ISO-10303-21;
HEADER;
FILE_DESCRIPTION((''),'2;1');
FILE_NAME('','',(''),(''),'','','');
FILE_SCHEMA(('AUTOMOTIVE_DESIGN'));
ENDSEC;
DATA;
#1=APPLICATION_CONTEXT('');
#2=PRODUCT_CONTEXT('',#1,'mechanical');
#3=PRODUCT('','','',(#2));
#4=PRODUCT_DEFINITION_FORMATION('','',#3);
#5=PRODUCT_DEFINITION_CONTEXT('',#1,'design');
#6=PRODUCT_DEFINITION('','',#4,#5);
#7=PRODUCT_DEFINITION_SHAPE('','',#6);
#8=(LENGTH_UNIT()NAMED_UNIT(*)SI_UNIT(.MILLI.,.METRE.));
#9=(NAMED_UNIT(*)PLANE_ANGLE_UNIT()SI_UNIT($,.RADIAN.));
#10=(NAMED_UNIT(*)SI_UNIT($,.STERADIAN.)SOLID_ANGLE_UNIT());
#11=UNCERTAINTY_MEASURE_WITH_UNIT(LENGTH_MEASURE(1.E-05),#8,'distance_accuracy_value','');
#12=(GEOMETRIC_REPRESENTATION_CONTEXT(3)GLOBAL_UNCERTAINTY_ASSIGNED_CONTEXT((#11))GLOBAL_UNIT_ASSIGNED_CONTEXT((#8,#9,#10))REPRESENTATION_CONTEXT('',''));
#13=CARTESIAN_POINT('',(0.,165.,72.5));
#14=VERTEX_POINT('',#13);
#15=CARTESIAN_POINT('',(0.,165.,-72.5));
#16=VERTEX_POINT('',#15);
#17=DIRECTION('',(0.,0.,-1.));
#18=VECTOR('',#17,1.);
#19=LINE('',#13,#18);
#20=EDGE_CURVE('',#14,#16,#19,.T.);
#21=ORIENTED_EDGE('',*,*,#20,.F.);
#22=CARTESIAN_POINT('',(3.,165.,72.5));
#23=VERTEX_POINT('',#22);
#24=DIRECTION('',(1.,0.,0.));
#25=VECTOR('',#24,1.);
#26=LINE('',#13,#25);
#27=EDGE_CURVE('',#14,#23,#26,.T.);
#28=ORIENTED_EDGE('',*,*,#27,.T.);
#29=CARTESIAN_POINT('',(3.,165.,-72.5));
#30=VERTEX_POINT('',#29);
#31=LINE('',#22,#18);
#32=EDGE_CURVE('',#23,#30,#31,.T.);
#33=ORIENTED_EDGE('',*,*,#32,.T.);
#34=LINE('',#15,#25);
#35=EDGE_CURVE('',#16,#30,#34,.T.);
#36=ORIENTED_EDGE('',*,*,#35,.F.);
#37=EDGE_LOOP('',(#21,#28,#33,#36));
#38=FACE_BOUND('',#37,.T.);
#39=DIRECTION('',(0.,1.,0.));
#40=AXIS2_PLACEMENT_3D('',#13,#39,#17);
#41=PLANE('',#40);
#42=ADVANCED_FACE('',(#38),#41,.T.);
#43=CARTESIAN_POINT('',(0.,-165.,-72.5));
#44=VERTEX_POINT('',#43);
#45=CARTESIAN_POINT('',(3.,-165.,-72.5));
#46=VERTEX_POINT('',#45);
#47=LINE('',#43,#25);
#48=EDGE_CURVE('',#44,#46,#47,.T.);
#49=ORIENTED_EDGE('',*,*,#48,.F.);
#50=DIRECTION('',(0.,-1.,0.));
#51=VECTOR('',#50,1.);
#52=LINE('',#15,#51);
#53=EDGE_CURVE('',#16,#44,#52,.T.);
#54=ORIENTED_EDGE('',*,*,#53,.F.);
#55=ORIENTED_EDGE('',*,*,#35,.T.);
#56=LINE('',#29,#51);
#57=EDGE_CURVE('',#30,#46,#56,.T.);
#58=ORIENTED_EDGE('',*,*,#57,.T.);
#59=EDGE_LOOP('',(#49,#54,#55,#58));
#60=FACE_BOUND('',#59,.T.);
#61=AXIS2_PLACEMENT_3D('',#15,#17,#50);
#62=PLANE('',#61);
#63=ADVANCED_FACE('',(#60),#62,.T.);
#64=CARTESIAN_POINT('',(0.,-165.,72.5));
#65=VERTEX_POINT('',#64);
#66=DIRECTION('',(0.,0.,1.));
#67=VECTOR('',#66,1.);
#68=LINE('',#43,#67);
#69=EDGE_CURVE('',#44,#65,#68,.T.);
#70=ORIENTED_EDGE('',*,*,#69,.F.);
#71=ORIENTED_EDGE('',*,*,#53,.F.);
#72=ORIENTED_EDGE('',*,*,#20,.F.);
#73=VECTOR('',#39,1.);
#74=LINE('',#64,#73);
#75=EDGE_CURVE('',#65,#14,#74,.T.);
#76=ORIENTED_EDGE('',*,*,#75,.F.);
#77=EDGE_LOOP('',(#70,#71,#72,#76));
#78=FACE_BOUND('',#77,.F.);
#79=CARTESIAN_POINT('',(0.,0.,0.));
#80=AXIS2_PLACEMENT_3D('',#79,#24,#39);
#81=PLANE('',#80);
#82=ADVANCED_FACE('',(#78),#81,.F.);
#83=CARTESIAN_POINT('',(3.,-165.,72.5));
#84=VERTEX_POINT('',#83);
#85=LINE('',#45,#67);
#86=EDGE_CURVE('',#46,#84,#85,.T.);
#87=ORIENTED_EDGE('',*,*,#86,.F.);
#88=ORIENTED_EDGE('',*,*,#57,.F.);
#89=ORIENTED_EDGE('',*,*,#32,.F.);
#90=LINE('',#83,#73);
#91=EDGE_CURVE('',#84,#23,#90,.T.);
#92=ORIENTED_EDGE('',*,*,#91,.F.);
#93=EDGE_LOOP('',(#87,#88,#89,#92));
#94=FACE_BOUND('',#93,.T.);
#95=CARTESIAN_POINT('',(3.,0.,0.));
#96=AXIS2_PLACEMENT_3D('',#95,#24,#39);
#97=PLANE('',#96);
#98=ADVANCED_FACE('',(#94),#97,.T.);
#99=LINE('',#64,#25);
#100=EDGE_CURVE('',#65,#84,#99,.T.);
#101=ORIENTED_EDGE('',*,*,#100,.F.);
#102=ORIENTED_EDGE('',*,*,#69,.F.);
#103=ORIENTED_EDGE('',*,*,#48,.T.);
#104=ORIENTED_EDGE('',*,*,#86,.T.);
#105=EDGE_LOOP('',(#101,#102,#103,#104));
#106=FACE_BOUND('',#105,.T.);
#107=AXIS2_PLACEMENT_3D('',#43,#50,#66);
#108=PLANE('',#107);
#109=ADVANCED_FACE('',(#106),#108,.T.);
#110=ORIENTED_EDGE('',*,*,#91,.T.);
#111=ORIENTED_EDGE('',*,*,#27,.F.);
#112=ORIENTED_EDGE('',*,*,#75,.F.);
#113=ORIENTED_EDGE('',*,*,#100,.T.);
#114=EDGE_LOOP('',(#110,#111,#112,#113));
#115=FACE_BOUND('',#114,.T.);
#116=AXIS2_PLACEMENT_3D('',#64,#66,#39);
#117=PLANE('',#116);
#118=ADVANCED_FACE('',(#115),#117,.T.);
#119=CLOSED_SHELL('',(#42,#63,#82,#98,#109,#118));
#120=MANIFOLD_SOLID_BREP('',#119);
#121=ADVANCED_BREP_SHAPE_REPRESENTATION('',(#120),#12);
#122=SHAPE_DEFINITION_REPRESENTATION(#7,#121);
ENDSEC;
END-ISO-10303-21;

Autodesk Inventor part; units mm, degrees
ref_plane "YZ Plane" through (0, 0, 0) normal (1, 0, 0) x (0, 1, 0)
ref_plane "XZ Plane" through (0, 0, 0) normal (0, 1, 0) x (-1, 0, 0)
ref_plane "XY Plane" through (0, 0, 0) normal (0, 0, 1) x (1, 0, 0)
sketch "Esquisse1" plane through (0, 0, 0) normal (1, 0, 0) x (0, 1, 0)
  line L0 (-165, 72.5) -> (165, 72.5)
  line L1 (165, 72.5) -> (165, -72.5)
  line L2 (165, -72.5) -> (-165, -72.5)
  line L3 (-165, -72.5) -> (-165, 72.5)
  line L4 (-165, 72.5) -> (165, -72.5) construction
  line L5 (165, 72.5) -> (-165, -72.5) construction
  point P0 (0, 0)
  dimension "d0" = 330
  dimension "d1" = 145
extrude "Extrusion1" add sketch "Esquisse1" along normal blind 3
properties part number "plaque_cote2"
